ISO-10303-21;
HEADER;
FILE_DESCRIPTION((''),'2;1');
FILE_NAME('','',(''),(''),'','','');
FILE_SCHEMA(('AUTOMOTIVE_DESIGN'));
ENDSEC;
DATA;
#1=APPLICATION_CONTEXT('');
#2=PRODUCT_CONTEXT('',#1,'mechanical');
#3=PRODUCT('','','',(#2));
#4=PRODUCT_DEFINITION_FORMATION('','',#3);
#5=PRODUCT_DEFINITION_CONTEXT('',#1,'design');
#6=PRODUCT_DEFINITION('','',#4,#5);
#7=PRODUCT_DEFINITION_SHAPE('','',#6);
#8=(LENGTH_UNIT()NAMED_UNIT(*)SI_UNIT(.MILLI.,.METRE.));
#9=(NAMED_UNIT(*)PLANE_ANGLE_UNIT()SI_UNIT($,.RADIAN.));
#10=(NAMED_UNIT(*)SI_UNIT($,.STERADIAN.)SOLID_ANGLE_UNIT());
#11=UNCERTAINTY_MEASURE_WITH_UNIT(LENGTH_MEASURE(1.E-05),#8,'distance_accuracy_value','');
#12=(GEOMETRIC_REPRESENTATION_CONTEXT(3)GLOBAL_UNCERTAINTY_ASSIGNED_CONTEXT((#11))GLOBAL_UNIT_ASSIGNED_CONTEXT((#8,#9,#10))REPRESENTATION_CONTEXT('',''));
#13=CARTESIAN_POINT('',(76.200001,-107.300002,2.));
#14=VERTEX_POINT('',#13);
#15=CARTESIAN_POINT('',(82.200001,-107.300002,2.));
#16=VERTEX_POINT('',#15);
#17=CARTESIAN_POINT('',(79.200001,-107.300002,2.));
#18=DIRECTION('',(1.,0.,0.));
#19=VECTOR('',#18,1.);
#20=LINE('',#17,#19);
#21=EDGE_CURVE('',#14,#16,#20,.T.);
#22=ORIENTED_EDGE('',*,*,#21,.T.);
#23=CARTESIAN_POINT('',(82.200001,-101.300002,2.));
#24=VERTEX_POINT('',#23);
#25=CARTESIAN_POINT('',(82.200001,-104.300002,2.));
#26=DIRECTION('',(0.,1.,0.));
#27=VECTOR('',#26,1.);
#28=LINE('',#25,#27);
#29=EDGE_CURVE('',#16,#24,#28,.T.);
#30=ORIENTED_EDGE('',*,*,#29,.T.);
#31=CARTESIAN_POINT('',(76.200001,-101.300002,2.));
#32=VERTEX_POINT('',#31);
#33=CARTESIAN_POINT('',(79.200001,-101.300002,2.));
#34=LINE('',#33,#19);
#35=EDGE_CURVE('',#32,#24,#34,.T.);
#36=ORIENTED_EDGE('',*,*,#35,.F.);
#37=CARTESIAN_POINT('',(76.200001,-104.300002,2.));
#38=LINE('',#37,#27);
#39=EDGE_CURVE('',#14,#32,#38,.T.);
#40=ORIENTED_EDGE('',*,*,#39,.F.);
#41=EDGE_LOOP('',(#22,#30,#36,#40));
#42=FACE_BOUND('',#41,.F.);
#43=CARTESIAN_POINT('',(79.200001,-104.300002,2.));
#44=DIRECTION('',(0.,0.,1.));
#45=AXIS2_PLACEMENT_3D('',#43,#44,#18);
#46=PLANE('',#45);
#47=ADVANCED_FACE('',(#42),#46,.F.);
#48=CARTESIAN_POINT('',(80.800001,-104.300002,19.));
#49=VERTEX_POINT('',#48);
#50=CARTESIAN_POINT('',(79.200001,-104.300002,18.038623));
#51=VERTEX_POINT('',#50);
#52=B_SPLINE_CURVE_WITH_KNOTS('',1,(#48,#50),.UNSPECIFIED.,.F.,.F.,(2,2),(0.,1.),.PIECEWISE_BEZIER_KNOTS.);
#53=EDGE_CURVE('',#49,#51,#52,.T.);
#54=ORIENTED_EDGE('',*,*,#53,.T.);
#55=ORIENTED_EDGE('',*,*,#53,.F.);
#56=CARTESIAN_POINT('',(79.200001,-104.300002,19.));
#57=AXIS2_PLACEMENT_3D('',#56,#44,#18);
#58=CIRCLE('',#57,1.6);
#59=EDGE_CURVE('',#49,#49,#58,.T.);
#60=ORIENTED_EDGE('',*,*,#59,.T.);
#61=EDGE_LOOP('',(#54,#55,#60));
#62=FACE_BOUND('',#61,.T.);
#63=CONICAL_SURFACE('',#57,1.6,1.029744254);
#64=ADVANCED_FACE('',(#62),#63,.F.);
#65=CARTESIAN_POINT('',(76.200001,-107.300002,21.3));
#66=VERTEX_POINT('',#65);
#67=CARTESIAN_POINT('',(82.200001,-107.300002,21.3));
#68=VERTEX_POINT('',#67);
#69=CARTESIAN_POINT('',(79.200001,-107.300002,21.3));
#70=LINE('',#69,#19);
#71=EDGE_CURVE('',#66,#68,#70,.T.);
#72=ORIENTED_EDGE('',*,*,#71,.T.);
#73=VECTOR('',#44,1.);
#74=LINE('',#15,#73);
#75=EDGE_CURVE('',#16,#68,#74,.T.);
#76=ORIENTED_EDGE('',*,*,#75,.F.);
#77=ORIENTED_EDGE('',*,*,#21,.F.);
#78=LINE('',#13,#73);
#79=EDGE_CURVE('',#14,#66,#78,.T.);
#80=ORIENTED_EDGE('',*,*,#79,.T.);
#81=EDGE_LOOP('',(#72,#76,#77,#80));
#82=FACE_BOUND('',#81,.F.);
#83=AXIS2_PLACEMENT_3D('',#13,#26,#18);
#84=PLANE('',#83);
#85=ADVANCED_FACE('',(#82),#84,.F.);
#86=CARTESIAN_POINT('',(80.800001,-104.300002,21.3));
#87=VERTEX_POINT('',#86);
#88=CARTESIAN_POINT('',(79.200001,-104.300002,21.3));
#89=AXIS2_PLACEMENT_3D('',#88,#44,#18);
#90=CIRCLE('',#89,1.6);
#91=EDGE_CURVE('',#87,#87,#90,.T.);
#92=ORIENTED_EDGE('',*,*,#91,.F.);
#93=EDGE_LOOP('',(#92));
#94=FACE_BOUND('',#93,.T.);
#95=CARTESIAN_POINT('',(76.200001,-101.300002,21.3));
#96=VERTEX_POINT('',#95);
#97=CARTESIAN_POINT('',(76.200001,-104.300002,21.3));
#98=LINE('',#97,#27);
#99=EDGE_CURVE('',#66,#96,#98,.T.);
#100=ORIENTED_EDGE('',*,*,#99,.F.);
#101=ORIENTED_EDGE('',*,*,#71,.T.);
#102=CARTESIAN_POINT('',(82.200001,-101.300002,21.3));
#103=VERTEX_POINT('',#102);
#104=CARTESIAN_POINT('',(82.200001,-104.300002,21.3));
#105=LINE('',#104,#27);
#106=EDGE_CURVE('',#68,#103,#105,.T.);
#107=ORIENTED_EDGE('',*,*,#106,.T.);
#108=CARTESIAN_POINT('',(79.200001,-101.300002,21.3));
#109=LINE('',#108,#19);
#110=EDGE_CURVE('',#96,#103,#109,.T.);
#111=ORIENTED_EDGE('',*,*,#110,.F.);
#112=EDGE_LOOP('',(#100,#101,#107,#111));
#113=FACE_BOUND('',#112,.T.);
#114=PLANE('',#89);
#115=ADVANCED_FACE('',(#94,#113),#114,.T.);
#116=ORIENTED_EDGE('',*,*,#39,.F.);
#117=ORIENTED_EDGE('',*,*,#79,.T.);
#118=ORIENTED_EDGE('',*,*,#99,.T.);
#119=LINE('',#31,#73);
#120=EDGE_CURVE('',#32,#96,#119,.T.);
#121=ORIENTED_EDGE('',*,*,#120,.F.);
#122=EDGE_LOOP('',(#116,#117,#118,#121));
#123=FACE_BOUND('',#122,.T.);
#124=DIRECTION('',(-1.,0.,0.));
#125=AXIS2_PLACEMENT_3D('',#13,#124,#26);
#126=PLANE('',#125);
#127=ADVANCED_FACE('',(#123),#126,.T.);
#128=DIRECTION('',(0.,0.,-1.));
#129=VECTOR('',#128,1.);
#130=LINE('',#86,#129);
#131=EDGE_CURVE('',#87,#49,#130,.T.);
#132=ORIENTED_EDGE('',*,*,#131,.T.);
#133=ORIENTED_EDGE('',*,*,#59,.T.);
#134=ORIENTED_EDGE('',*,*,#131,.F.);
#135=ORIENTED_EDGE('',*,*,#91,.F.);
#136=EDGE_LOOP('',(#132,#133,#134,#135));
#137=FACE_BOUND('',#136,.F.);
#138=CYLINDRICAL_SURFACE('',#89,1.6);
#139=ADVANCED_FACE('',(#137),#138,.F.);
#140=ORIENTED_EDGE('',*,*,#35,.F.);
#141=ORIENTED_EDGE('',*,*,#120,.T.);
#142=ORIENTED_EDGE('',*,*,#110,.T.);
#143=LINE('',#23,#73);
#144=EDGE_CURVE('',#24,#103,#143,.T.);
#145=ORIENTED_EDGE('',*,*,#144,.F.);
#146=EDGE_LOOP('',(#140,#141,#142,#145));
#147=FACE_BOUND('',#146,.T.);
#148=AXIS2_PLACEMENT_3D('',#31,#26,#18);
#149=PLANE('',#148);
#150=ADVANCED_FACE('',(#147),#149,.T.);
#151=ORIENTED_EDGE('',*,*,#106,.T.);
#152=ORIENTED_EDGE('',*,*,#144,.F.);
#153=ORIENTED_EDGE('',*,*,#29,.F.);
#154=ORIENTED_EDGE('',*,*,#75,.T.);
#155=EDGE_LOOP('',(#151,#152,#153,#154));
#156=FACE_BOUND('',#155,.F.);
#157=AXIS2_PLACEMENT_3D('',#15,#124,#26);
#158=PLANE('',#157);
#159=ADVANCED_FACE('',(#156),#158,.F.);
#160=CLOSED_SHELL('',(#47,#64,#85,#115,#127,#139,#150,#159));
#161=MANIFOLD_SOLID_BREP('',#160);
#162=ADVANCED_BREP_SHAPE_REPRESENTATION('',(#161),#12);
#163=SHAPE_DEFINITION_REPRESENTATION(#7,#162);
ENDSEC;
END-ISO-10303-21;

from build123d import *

# Parameters (mm, degrees)
SKETCH025_W      = 6
SKETCH025_H      = 6
EXTRUDE016_DEPTH = 19.3
SKETCH026_R      = 1.6
HOLE003_DEPTH    = 2.3
HOLE003_TIPS_R   = 1.6


with BuildPart() as part:
    # Sketch025 (on Face6 of BaseFeature005) → Extrude016 (new body)
    with BuildSketch(Plane.XY.offset(2)):
        with Locations((79.200001, -104.300002)):
            Rectangle(SKETCH025_W, SKETCH025_H)
    extrude(amount=EXTRUDE016_DEPTH)

    # Sketch026 (on Face6 of Extrude016) → Hole003 (cut)
    with BuildSketch(Plane.XY.offset(21.3)):
        with Locations((79.200001, -104.300002)):
            Circle(SKETCH026_R)
    extrude(amount=-HOLE003_DEPTH, mode=Mode.SUBTRACT)

    # Hole003 tips → Hole003 tip 1 section 0
    with BuildSketch(Plane.XY.offset(19), mode=Mode.PRIVATE) as hole003_tip_1_s0:
        with Locations((79.200001, -104.300002)):
            Circle(HOLE003_TIPS_R)
    loft([hole003_tip_1_s0.sketch, Vertex(79.200001, -104.300002, 18.038623)], mode=Mode.SUBTRACT)


solid = part.part
